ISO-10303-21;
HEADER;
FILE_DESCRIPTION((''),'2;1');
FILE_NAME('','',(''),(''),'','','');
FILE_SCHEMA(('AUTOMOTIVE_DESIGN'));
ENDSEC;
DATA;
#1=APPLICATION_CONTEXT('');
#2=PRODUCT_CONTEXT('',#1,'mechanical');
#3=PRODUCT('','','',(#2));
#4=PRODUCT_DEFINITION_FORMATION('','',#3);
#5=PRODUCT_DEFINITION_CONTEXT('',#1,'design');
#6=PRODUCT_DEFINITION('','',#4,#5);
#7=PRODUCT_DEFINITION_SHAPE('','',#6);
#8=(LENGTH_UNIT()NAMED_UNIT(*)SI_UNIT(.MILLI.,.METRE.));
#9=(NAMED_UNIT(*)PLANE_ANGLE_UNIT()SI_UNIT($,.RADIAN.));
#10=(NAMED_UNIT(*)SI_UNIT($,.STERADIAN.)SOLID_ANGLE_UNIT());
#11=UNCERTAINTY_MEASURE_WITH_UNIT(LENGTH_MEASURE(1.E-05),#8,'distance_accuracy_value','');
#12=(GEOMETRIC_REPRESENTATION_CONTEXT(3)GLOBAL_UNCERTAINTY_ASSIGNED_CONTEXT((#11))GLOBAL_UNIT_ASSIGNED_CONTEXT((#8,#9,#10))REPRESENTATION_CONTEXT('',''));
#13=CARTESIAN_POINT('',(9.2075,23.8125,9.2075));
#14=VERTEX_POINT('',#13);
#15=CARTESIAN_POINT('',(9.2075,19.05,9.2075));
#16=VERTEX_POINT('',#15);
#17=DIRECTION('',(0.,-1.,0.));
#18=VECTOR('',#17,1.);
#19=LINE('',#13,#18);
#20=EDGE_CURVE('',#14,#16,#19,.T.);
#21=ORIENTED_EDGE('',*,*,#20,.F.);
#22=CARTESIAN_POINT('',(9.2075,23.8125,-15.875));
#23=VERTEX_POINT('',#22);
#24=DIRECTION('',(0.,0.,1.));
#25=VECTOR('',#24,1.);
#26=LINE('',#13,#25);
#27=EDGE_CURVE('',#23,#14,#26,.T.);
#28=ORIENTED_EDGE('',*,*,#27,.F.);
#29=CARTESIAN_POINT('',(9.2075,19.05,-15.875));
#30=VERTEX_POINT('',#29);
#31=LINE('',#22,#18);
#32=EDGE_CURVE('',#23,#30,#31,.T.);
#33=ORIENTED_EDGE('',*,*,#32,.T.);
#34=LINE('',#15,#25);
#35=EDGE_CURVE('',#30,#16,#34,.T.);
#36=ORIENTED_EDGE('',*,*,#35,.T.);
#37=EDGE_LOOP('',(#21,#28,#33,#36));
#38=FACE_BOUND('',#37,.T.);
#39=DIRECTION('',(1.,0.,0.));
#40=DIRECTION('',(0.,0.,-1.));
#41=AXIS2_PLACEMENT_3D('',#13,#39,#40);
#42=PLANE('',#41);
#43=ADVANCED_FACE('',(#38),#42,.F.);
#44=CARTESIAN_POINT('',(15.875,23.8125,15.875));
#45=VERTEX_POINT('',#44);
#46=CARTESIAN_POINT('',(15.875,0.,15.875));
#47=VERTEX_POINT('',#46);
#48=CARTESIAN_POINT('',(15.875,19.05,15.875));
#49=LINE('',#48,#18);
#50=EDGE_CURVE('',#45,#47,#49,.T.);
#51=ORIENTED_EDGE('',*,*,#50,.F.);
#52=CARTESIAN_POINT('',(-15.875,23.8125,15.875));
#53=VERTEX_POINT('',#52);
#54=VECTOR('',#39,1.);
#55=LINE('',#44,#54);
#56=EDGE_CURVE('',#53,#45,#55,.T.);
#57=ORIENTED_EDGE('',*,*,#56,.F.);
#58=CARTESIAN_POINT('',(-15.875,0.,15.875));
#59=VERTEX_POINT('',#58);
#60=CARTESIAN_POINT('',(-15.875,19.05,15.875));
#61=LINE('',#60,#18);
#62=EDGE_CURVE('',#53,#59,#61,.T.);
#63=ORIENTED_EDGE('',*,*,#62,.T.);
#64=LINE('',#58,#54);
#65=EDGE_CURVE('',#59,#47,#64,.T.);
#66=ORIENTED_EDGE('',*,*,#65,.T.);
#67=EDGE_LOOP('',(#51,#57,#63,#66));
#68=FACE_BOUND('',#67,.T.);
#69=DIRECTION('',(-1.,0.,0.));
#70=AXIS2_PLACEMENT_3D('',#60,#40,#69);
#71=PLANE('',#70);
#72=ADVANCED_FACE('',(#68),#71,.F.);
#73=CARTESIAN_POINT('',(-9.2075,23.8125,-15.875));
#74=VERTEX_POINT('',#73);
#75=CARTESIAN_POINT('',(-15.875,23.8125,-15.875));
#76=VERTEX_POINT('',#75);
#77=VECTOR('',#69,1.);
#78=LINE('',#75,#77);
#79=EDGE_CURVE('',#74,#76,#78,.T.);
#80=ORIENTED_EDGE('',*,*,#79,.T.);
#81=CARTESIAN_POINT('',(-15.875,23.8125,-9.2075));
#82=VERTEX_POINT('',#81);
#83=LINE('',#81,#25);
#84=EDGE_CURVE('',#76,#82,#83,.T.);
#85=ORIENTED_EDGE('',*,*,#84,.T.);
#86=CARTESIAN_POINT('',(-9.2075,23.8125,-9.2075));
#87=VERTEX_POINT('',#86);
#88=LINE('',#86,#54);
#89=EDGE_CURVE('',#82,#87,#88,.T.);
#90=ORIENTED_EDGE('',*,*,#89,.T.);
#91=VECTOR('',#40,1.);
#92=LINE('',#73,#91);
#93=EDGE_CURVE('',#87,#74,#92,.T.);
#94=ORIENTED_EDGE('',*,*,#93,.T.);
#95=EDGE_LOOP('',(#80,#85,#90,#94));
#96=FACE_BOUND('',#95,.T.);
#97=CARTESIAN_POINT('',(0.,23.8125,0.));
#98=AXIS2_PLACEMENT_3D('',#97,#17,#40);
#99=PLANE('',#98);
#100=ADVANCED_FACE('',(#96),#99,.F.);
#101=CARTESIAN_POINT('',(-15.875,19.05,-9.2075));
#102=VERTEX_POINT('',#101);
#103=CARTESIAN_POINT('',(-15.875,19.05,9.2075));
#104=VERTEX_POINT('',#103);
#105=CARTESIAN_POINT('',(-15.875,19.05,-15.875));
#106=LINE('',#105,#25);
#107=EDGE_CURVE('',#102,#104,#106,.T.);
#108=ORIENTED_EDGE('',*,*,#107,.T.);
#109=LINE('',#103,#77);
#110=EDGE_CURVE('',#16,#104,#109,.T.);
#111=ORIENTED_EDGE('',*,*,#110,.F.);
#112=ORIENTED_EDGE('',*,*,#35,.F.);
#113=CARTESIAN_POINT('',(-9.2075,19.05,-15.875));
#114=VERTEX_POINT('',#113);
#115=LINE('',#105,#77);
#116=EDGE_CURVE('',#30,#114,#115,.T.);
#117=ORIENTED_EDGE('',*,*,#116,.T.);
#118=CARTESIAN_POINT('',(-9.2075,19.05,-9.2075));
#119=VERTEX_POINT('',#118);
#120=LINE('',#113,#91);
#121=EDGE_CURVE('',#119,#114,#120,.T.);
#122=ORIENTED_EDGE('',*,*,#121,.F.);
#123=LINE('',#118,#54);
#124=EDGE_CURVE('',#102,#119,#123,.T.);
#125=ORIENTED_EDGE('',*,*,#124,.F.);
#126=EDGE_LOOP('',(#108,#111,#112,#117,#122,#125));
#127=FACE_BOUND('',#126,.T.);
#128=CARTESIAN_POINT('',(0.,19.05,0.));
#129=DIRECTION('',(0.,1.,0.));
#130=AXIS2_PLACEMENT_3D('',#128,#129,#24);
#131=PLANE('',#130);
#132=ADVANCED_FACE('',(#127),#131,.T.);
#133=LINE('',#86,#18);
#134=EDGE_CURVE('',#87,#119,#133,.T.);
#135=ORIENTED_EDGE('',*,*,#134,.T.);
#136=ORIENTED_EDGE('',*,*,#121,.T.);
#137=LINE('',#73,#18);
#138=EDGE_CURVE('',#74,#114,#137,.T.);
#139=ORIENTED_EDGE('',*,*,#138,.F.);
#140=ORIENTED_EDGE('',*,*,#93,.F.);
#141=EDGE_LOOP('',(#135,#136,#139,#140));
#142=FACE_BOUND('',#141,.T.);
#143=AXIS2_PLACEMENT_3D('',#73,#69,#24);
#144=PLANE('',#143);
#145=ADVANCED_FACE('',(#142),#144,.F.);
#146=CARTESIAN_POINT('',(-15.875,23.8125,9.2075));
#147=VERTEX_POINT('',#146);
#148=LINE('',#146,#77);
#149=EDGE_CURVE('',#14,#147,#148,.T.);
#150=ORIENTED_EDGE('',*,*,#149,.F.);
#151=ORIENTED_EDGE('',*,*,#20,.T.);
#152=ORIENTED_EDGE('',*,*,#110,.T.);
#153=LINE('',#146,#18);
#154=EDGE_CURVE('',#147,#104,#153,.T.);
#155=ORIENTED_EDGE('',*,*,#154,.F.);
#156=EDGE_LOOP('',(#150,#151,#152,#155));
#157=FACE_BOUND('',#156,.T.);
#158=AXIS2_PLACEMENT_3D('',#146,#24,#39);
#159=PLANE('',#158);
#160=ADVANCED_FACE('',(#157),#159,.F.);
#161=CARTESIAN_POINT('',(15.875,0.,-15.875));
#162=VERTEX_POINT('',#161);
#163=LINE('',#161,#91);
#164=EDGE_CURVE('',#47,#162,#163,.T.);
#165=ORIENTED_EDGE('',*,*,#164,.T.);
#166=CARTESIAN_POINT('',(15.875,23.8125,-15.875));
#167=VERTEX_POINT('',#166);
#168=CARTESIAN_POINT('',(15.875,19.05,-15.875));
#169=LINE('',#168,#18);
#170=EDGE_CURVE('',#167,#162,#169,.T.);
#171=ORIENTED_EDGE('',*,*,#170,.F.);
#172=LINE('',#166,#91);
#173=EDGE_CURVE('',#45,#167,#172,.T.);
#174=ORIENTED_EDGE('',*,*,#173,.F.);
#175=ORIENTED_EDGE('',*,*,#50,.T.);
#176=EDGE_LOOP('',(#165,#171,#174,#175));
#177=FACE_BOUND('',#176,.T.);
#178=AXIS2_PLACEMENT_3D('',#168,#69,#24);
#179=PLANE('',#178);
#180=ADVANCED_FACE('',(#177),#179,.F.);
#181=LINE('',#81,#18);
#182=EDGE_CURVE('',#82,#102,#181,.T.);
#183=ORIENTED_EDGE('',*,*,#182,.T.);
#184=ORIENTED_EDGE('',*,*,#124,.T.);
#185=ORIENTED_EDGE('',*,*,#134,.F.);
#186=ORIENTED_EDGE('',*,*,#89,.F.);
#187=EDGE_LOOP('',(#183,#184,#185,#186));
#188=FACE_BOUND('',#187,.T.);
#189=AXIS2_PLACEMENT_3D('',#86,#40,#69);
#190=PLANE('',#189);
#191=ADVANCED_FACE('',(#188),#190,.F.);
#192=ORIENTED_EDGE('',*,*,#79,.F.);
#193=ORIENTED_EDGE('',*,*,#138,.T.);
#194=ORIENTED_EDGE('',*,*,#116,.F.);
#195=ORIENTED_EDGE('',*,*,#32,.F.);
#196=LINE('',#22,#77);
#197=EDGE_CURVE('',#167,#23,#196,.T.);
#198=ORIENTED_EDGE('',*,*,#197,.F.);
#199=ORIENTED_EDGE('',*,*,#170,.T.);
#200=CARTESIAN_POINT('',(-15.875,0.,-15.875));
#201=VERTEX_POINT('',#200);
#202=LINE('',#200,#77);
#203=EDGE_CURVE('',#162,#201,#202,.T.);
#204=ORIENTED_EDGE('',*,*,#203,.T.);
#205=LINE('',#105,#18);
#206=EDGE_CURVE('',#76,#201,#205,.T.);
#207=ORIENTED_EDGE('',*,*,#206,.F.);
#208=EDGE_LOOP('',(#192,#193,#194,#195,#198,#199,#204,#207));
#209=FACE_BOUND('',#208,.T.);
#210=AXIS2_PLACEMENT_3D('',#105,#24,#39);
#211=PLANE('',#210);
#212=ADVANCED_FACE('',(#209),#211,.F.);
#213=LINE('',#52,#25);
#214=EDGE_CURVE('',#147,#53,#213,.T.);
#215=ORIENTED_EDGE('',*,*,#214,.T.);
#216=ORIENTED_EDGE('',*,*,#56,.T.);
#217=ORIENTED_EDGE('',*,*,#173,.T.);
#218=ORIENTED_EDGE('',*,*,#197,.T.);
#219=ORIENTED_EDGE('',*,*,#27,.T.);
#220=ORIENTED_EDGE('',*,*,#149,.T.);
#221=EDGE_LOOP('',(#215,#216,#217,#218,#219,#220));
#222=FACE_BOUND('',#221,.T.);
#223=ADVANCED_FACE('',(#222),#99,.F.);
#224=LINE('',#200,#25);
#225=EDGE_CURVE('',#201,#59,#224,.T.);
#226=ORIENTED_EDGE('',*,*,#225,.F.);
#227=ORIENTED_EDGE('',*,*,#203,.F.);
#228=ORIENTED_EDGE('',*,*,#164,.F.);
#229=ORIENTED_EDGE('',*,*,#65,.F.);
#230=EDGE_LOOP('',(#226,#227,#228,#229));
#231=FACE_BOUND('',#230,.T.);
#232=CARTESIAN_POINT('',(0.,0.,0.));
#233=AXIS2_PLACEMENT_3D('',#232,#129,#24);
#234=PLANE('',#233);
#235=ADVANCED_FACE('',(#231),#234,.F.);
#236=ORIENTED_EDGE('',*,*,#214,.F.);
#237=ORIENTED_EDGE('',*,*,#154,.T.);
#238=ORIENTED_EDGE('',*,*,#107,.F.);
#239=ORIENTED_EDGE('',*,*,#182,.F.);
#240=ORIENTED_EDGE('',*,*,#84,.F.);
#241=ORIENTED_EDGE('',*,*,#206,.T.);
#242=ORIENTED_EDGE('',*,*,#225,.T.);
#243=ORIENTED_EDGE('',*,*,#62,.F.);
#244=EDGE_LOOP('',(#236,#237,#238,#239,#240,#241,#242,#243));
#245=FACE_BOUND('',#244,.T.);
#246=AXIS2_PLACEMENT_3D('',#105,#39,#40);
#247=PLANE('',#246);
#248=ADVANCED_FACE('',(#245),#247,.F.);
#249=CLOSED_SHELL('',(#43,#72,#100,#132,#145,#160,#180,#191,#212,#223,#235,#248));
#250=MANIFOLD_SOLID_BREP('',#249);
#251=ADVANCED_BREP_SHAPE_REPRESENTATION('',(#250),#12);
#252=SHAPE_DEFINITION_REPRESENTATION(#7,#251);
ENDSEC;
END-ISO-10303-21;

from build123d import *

# Parameters (mm, degrees)
SKETCH1_W           = 31.75
SKETCH1_H           = 31.75
BOSS_EXTRUDE1_DEPTH = 19.05
SKETCH2_W           = 6.6675
SKETCH2_H           = 6.6675
BOSS_EXTRUDE2_DEPTH = 4.7625


with BuildPart() as part:
    # Sketch1 → Boss-Extrude1 (new body)
    with BuildSketch(Plane(origin=(0, 0, 0), x_dir=(1, 0, 0), z_dir=(0, 1, 0))):
        Rectangle(SKETCH1_W, SKETCH1_H)
    extrude(amount=BOSS_EXTRUDE1_DEPTH)

    # Sketch2 → Boss-Extrude2 (add)
    with BuildSketch(Plane(origin=(0, 19.05, 0), x_dir=(1, 0, 0), z_dir=(0, 1, 0))):
        with Locations((-12.54125, 12.54125)):
            Rectangle(SKETCH2_W, SKETCH2_H)
        Polygon((-15.875, -9.2075), (9.2075, -9.2075), (9.2075, 15.875), (15.875, 15.875), (15.875, -15.875), (-15.875, -15.875), align=None)
    extrude(amount=BOSS_EXTRUDE2_DEPTH)


solid = part.part
